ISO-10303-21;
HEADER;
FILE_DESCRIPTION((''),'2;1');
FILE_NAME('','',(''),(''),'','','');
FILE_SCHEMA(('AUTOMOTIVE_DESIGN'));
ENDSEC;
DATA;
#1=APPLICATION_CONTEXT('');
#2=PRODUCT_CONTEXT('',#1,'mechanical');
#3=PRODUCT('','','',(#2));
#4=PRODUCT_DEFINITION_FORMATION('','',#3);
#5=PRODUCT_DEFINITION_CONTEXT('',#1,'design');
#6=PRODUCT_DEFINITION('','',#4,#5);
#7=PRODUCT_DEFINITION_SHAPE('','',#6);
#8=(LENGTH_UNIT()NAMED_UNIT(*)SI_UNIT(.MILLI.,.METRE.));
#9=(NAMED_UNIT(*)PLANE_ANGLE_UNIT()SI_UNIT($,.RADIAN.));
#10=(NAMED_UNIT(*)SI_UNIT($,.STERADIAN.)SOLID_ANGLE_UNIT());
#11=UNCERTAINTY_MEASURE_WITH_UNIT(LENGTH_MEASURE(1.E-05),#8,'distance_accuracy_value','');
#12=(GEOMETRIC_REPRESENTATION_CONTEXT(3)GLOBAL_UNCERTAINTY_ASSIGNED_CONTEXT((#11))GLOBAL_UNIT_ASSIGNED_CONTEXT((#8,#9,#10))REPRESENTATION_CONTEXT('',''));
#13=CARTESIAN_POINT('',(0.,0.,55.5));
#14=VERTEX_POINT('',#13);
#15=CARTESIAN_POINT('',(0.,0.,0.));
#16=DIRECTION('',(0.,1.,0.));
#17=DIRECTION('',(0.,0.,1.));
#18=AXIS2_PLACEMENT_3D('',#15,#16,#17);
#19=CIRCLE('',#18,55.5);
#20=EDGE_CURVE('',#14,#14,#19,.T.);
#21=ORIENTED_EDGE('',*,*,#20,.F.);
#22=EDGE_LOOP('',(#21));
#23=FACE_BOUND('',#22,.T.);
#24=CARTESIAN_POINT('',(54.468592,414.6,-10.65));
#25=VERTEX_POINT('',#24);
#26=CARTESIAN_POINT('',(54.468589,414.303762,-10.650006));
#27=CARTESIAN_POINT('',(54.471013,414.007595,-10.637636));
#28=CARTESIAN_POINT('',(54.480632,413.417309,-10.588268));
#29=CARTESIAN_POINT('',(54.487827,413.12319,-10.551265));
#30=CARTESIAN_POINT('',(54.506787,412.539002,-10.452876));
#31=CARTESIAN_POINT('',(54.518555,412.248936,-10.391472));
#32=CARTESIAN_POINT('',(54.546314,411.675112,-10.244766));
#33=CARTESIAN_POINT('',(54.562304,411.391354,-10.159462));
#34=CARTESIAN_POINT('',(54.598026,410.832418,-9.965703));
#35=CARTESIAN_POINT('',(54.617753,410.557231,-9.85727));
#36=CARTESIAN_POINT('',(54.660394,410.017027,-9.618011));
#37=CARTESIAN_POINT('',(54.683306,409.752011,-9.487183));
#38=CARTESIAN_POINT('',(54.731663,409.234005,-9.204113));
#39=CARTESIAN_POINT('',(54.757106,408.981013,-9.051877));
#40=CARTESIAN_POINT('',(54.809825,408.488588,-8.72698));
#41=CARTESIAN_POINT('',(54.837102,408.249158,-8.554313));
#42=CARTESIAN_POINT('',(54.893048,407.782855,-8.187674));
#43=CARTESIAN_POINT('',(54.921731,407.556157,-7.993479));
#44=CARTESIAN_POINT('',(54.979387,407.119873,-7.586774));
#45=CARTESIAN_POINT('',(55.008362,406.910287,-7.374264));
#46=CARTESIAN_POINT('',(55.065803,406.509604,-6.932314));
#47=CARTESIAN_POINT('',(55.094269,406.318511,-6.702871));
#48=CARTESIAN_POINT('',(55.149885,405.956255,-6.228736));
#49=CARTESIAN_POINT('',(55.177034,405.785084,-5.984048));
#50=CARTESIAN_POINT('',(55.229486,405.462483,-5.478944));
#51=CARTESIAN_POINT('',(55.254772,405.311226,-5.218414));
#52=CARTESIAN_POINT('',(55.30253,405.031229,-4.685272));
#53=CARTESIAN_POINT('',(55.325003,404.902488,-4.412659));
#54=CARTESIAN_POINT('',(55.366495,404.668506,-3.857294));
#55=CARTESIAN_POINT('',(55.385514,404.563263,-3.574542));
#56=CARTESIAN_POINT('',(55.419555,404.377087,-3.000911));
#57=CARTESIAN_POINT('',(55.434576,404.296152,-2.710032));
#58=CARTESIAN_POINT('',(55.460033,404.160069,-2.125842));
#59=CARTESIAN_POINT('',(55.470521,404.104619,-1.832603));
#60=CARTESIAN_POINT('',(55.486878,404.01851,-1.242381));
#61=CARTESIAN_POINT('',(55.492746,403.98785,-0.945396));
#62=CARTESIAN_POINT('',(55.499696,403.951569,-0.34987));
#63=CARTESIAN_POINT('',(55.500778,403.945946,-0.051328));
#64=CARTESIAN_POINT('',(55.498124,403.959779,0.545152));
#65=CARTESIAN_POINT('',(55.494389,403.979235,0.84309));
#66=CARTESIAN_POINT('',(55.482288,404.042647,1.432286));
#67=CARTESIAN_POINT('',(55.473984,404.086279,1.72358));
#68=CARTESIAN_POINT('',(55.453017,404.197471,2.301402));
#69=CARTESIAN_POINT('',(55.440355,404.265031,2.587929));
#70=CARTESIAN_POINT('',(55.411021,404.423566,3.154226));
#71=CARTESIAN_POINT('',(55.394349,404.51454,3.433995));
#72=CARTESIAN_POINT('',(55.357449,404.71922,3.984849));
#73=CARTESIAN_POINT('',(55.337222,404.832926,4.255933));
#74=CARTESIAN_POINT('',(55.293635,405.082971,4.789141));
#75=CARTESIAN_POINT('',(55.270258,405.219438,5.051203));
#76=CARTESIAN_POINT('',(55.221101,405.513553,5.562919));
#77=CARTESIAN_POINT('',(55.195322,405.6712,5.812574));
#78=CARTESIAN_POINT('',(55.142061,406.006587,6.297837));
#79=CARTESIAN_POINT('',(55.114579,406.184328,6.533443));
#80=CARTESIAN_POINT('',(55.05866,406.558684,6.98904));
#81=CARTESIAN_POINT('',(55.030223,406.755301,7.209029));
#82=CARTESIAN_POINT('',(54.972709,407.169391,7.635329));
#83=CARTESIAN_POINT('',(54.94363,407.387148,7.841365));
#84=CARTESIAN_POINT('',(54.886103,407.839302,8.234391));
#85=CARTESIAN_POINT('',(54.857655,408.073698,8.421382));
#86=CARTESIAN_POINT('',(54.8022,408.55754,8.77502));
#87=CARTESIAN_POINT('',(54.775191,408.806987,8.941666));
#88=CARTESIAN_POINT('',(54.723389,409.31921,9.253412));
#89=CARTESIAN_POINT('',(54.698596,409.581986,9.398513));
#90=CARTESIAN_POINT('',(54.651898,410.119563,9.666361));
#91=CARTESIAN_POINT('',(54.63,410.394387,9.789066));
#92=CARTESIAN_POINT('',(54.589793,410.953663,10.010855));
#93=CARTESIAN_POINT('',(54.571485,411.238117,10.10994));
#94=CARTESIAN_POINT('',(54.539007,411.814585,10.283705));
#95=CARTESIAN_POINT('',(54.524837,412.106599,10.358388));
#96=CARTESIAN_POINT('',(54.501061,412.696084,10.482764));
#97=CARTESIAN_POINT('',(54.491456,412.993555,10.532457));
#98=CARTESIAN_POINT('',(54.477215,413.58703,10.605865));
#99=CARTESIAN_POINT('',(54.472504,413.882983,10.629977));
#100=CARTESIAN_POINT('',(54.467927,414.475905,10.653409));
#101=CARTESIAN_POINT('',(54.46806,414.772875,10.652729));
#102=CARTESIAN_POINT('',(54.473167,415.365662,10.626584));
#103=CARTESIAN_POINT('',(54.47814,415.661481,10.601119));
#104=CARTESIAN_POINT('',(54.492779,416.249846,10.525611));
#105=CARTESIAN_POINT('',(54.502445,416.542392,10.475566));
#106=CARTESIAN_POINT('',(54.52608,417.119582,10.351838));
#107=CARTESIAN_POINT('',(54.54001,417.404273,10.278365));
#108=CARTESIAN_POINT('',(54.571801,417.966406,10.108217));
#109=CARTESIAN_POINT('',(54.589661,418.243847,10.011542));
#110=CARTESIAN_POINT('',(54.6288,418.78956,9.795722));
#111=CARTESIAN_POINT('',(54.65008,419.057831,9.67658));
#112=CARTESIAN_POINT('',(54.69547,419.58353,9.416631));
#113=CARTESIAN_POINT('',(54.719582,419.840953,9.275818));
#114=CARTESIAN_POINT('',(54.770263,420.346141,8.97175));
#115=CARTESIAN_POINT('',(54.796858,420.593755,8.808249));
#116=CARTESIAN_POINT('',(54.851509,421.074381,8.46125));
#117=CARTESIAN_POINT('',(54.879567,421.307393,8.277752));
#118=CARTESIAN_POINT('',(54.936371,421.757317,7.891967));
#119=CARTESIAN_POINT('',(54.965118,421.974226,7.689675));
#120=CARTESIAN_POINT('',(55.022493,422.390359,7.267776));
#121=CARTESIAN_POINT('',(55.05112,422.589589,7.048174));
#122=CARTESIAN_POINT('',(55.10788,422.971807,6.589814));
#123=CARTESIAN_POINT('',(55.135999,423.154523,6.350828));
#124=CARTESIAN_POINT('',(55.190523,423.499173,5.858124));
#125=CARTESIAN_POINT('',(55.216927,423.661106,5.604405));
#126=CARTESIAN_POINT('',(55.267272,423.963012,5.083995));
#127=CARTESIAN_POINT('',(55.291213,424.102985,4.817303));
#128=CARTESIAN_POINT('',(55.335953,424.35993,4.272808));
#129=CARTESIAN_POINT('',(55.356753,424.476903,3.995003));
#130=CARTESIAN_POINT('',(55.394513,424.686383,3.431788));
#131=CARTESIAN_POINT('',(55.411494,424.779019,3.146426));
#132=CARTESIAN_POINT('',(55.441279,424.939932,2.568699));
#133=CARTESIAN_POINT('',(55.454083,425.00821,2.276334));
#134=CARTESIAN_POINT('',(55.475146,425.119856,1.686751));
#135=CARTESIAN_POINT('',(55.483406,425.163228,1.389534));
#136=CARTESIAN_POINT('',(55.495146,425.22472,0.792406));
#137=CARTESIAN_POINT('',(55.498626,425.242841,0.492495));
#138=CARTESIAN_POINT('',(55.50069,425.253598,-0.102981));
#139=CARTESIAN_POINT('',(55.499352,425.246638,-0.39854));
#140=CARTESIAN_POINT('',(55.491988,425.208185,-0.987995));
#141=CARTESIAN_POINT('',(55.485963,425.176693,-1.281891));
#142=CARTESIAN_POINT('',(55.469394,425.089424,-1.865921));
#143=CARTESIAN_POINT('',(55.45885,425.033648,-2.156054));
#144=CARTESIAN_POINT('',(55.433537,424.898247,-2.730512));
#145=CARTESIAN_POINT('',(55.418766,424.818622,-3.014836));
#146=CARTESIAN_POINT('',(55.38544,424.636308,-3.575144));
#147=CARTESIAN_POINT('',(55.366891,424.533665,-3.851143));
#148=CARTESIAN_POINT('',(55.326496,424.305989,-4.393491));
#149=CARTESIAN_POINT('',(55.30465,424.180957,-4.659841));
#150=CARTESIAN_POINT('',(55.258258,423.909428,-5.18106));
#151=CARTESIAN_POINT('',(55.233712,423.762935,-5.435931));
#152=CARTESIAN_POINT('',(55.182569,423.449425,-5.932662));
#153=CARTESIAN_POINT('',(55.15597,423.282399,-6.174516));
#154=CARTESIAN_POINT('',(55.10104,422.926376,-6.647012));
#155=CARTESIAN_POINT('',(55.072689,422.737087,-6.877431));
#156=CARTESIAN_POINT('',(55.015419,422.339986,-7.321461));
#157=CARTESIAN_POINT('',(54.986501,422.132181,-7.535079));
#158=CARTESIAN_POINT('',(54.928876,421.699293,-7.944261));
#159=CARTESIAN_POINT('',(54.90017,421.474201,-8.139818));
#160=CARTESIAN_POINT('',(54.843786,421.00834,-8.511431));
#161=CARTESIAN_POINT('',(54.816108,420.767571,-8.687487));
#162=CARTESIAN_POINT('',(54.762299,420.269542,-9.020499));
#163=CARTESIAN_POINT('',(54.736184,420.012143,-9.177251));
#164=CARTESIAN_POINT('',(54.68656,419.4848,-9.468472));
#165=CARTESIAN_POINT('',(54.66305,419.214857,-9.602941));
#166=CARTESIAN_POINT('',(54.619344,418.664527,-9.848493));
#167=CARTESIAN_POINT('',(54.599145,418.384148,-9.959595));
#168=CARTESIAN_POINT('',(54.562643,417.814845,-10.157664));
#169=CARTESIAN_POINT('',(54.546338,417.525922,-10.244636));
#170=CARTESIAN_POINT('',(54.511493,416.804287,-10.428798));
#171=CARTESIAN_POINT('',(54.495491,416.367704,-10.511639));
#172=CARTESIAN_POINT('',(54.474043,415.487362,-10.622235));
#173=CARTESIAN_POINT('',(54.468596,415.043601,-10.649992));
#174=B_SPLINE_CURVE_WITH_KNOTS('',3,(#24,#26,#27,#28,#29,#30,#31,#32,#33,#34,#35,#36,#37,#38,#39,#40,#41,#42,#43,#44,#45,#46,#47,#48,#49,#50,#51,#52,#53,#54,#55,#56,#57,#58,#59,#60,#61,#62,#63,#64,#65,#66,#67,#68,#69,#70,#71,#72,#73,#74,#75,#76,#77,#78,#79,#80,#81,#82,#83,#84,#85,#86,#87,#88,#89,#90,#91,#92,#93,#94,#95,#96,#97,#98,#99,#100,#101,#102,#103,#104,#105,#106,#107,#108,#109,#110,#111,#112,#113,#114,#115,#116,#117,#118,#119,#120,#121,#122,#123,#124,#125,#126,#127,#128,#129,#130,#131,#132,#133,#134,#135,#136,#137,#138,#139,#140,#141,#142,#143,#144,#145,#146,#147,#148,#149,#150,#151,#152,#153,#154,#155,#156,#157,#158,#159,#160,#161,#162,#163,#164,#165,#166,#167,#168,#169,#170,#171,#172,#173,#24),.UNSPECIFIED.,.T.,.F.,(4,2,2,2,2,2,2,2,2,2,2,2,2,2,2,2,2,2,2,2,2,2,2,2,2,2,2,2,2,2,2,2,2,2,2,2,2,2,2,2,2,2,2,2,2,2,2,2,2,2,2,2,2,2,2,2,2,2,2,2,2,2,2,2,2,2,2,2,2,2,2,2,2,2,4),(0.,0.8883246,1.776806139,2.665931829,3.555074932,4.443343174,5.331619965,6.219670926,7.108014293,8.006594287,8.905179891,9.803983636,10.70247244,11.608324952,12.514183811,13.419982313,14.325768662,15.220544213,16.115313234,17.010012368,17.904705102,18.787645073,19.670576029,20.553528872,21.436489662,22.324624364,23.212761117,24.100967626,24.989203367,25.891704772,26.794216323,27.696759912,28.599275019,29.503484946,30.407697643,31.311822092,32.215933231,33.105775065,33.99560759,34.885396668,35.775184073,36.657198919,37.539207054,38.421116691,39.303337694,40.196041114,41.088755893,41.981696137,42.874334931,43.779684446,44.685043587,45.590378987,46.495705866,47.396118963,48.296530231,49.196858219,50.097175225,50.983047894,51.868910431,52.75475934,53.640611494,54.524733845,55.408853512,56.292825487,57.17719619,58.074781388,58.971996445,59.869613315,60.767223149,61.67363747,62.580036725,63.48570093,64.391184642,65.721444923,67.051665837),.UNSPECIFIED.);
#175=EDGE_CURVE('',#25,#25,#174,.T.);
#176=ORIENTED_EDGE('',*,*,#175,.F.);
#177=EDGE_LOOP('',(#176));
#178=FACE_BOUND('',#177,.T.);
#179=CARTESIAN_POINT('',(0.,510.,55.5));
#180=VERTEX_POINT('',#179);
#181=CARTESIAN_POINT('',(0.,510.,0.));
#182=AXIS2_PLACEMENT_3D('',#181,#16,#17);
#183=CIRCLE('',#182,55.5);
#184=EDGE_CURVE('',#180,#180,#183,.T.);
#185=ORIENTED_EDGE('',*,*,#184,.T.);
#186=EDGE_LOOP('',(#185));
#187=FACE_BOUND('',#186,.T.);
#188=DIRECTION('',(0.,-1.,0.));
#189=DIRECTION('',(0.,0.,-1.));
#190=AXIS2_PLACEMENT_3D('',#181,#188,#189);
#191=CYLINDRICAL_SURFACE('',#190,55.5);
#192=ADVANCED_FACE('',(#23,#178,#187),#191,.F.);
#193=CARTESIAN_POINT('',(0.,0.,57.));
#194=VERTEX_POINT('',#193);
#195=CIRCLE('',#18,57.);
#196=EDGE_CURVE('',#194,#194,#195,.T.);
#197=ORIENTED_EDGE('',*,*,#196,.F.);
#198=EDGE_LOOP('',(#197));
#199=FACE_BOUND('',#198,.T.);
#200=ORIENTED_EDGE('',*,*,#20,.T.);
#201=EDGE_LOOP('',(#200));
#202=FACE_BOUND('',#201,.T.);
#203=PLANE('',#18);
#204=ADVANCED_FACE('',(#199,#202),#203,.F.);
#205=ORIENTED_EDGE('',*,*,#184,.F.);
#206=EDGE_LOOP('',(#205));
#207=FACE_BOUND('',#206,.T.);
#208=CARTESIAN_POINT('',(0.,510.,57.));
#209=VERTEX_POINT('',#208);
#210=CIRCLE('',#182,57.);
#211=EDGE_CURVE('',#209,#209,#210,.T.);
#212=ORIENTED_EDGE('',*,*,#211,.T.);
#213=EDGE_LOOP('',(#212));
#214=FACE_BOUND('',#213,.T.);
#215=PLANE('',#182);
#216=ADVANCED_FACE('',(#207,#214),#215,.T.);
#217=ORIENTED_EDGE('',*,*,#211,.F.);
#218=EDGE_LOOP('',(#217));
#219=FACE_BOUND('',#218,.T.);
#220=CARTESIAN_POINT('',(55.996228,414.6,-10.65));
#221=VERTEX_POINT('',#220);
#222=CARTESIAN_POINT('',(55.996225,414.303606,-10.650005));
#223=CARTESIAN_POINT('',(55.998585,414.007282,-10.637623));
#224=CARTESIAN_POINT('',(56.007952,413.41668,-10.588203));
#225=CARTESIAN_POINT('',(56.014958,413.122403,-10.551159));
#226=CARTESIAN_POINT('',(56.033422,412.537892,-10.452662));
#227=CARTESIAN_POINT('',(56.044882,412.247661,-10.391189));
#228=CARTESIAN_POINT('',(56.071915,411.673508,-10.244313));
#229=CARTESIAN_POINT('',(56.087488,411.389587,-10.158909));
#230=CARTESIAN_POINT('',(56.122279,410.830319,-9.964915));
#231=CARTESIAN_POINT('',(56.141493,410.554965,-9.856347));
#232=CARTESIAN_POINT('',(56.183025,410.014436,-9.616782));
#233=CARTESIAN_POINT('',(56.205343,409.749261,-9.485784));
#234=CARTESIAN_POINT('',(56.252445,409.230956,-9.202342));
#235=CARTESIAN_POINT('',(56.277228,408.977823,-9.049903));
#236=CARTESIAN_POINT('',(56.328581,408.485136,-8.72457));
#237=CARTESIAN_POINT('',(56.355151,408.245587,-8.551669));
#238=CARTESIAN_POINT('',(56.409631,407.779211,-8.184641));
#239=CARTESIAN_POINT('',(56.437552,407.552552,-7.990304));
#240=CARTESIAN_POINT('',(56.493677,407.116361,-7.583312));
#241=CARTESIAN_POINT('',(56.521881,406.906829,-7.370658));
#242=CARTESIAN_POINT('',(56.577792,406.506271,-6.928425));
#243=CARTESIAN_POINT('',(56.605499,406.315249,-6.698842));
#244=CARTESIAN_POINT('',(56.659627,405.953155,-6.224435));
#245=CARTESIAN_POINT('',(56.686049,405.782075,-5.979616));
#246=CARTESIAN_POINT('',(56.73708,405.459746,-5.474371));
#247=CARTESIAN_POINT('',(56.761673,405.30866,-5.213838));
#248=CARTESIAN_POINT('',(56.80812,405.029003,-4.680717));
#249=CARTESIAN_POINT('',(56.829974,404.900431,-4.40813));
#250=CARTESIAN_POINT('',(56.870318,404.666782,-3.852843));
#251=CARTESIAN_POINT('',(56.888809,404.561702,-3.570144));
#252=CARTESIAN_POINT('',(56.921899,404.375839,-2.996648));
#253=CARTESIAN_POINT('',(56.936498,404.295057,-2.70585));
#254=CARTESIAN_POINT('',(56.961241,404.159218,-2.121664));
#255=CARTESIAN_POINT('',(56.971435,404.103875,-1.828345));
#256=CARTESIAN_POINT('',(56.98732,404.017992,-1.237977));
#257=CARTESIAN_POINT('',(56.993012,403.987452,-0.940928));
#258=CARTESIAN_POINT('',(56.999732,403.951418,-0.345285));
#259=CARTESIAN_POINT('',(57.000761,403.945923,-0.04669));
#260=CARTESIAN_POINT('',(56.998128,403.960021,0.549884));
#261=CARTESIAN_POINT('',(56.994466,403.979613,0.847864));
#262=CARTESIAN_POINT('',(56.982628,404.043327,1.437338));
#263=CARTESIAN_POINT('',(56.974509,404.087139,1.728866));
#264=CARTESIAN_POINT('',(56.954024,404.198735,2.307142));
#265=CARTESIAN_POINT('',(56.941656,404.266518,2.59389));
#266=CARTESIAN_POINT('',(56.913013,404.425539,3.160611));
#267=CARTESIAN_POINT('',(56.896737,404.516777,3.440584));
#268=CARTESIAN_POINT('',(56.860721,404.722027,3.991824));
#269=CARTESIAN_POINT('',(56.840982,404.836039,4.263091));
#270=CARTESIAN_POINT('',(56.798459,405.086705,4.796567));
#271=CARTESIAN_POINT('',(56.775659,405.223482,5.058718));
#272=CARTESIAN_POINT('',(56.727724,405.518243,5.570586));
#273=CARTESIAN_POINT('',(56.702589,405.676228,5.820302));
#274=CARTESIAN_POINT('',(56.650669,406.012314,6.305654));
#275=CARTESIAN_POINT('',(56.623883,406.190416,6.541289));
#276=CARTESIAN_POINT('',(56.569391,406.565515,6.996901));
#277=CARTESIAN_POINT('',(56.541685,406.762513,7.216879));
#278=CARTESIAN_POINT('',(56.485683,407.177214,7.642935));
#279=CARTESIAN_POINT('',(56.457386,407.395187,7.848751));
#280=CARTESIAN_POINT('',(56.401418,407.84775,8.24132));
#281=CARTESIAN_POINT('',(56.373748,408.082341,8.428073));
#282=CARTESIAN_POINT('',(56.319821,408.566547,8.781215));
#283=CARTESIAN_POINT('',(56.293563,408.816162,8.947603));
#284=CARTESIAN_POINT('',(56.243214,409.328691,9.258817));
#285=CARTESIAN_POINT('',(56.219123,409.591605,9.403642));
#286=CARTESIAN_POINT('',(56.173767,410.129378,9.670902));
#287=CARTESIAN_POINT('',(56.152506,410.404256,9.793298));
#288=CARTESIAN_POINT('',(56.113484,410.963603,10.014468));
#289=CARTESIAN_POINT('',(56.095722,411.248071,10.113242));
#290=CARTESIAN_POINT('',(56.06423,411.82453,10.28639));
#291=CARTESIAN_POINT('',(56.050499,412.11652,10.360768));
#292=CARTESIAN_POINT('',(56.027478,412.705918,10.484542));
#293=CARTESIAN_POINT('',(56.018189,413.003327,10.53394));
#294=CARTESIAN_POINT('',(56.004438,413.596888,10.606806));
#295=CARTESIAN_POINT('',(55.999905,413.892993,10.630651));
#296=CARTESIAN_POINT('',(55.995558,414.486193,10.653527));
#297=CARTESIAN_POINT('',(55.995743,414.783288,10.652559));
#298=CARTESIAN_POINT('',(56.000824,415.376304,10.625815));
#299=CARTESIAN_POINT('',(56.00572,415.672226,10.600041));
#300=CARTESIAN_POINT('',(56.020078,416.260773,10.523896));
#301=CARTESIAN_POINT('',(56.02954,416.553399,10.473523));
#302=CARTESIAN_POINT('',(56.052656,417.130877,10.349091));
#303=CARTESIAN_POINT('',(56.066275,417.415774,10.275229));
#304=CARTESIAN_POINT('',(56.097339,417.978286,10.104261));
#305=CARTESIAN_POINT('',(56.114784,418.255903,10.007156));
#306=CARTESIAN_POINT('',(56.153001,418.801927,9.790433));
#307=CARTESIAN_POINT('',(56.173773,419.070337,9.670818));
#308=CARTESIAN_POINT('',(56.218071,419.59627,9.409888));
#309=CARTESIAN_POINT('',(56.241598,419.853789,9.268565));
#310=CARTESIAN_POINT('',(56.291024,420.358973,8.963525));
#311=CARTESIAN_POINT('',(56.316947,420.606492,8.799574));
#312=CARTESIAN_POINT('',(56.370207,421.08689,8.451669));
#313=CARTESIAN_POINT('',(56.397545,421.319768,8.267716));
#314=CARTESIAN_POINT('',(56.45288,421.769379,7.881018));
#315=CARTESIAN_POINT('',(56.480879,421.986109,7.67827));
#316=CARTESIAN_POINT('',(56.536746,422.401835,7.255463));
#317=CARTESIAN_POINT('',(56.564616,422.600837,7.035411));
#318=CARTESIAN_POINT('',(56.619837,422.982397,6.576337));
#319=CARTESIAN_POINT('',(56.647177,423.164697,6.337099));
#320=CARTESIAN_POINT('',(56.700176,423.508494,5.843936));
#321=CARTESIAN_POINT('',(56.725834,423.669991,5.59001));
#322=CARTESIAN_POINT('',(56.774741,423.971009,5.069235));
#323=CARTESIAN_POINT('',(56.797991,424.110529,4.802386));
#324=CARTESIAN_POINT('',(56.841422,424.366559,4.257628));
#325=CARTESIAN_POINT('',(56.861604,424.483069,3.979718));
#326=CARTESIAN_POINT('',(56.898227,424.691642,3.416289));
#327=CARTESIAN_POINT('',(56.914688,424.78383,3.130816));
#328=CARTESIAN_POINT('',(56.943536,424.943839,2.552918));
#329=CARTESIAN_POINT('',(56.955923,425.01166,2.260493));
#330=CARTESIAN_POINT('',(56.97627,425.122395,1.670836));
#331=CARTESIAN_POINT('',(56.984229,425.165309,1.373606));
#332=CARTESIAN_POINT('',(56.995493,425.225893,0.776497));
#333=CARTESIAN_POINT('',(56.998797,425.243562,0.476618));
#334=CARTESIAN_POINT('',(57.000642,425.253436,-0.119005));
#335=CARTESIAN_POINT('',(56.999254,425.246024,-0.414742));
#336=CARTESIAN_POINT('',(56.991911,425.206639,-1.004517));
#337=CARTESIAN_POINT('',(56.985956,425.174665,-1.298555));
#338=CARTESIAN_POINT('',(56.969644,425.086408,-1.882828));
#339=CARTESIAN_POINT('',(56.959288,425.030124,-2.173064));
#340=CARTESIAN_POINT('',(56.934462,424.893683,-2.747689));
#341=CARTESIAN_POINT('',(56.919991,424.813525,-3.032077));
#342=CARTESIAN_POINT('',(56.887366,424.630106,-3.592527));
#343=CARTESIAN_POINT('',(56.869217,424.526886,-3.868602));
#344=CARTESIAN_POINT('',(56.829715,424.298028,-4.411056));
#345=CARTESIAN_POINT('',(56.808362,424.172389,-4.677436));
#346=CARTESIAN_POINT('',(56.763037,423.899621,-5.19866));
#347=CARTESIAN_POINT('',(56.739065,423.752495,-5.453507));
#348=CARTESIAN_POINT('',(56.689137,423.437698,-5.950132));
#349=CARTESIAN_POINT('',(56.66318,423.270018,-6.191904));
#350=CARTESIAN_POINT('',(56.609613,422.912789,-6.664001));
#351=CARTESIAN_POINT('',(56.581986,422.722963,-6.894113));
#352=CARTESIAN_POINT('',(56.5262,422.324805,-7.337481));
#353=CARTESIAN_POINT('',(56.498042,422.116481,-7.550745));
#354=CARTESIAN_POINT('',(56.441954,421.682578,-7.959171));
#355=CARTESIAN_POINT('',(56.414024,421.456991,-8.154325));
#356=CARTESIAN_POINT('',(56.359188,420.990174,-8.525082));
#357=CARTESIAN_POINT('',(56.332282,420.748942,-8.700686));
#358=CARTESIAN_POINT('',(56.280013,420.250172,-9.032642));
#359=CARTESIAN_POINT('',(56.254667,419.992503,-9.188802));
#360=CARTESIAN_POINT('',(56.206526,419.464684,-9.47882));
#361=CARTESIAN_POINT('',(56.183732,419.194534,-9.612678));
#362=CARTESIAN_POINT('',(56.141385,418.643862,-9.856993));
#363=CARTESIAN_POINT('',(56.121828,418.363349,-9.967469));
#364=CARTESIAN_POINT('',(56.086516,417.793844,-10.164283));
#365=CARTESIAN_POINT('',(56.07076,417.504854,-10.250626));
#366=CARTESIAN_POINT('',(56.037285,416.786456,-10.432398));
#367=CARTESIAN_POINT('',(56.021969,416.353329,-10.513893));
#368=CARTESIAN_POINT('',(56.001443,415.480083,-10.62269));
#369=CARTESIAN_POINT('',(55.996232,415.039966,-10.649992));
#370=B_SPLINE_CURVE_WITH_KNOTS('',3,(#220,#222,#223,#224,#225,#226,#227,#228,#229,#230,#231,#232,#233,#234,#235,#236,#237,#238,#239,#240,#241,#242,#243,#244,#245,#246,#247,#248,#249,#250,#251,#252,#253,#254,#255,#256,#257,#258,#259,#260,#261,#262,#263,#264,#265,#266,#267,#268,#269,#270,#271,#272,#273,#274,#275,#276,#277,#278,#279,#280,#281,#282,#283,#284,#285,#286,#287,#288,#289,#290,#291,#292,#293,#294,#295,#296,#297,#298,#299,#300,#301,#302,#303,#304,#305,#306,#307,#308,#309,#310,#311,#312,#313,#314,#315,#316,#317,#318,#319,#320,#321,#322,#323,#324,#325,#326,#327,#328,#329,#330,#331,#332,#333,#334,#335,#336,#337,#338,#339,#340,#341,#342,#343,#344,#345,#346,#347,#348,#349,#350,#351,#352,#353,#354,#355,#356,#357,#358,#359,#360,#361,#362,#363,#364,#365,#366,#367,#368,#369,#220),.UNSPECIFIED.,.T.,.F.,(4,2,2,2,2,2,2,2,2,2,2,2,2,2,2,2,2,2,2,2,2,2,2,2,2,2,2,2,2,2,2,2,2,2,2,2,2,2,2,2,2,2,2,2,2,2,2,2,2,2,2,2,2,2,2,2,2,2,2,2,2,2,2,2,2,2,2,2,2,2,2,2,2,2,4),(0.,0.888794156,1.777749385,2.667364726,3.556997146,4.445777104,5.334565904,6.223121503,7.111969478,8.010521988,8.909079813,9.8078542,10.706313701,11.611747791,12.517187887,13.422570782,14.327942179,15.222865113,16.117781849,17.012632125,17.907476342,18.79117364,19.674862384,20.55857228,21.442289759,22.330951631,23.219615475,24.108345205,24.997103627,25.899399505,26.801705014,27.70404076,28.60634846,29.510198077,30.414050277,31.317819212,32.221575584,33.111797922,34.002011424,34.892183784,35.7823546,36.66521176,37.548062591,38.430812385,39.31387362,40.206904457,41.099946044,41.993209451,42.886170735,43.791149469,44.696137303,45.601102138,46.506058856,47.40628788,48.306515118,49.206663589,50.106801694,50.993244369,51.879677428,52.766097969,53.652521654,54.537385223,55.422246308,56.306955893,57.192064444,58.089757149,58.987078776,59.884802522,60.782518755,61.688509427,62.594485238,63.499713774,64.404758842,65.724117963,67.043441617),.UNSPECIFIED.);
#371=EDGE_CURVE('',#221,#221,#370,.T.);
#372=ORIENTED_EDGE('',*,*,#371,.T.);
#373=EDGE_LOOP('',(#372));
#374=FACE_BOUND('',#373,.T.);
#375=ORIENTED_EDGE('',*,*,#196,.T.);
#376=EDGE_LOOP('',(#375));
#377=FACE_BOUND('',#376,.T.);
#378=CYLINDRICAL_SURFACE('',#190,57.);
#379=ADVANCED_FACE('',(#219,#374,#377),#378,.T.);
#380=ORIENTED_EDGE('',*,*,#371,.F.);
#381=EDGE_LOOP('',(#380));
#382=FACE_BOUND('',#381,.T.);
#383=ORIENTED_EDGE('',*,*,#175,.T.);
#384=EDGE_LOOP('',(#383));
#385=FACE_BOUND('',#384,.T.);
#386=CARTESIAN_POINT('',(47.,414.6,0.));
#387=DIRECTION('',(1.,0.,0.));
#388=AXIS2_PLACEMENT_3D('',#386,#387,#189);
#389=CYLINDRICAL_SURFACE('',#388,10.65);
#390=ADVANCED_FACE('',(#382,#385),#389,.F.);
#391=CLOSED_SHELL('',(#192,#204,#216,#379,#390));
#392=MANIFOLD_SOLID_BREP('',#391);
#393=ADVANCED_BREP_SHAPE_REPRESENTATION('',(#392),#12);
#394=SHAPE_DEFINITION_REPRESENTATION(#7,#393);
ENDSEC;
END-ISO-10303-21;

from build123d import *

# Parameters (mm, degrees)
CROQUIS1_R              = 57
CROQUIS1_R_2            = 55.5
SALIENTE_EXTRUIR1_DEPTH = 510
CROQUIS2_R              = 10.65
CORTAR_EXTRUIR1_DEPTH   = 10


with BuildPart() as part:
    # Croquis1 → Saliente-Extruir1 (new body)
    with BuildSketch(Plane(origin=(0, 0, 0), x_dir=(1, 0, 0), z_dir=(0, 1, 0))):
        with Locations(Location((0, 0, 0), (0, 0, 270))):
            Circle(CROQUIS1_R)
        with Locations(Location((0, 0, 0), (0, 0, 270))):
            Circle(CROQUIS1_R_2, mode=Mode.SUBTRACT)
    extrude(amount=SALIENTE_EXTRUIR1_DEPTH)

    # Croquis2 → Cortar-Extruir1 (cut)
    with BuildSketch(Plane(origin=(57, 0, 0), x_dir=(0, 0, -1), z_dir=(1, 0, 0))):
        with Locations((0, 414.6)):
            Circle(CROQUIS2_R)
    extrude(amount=-CORTAR_EXTRUIR1_DEPTH, mode=Mode.SUBTRACT)


solid = part.part
